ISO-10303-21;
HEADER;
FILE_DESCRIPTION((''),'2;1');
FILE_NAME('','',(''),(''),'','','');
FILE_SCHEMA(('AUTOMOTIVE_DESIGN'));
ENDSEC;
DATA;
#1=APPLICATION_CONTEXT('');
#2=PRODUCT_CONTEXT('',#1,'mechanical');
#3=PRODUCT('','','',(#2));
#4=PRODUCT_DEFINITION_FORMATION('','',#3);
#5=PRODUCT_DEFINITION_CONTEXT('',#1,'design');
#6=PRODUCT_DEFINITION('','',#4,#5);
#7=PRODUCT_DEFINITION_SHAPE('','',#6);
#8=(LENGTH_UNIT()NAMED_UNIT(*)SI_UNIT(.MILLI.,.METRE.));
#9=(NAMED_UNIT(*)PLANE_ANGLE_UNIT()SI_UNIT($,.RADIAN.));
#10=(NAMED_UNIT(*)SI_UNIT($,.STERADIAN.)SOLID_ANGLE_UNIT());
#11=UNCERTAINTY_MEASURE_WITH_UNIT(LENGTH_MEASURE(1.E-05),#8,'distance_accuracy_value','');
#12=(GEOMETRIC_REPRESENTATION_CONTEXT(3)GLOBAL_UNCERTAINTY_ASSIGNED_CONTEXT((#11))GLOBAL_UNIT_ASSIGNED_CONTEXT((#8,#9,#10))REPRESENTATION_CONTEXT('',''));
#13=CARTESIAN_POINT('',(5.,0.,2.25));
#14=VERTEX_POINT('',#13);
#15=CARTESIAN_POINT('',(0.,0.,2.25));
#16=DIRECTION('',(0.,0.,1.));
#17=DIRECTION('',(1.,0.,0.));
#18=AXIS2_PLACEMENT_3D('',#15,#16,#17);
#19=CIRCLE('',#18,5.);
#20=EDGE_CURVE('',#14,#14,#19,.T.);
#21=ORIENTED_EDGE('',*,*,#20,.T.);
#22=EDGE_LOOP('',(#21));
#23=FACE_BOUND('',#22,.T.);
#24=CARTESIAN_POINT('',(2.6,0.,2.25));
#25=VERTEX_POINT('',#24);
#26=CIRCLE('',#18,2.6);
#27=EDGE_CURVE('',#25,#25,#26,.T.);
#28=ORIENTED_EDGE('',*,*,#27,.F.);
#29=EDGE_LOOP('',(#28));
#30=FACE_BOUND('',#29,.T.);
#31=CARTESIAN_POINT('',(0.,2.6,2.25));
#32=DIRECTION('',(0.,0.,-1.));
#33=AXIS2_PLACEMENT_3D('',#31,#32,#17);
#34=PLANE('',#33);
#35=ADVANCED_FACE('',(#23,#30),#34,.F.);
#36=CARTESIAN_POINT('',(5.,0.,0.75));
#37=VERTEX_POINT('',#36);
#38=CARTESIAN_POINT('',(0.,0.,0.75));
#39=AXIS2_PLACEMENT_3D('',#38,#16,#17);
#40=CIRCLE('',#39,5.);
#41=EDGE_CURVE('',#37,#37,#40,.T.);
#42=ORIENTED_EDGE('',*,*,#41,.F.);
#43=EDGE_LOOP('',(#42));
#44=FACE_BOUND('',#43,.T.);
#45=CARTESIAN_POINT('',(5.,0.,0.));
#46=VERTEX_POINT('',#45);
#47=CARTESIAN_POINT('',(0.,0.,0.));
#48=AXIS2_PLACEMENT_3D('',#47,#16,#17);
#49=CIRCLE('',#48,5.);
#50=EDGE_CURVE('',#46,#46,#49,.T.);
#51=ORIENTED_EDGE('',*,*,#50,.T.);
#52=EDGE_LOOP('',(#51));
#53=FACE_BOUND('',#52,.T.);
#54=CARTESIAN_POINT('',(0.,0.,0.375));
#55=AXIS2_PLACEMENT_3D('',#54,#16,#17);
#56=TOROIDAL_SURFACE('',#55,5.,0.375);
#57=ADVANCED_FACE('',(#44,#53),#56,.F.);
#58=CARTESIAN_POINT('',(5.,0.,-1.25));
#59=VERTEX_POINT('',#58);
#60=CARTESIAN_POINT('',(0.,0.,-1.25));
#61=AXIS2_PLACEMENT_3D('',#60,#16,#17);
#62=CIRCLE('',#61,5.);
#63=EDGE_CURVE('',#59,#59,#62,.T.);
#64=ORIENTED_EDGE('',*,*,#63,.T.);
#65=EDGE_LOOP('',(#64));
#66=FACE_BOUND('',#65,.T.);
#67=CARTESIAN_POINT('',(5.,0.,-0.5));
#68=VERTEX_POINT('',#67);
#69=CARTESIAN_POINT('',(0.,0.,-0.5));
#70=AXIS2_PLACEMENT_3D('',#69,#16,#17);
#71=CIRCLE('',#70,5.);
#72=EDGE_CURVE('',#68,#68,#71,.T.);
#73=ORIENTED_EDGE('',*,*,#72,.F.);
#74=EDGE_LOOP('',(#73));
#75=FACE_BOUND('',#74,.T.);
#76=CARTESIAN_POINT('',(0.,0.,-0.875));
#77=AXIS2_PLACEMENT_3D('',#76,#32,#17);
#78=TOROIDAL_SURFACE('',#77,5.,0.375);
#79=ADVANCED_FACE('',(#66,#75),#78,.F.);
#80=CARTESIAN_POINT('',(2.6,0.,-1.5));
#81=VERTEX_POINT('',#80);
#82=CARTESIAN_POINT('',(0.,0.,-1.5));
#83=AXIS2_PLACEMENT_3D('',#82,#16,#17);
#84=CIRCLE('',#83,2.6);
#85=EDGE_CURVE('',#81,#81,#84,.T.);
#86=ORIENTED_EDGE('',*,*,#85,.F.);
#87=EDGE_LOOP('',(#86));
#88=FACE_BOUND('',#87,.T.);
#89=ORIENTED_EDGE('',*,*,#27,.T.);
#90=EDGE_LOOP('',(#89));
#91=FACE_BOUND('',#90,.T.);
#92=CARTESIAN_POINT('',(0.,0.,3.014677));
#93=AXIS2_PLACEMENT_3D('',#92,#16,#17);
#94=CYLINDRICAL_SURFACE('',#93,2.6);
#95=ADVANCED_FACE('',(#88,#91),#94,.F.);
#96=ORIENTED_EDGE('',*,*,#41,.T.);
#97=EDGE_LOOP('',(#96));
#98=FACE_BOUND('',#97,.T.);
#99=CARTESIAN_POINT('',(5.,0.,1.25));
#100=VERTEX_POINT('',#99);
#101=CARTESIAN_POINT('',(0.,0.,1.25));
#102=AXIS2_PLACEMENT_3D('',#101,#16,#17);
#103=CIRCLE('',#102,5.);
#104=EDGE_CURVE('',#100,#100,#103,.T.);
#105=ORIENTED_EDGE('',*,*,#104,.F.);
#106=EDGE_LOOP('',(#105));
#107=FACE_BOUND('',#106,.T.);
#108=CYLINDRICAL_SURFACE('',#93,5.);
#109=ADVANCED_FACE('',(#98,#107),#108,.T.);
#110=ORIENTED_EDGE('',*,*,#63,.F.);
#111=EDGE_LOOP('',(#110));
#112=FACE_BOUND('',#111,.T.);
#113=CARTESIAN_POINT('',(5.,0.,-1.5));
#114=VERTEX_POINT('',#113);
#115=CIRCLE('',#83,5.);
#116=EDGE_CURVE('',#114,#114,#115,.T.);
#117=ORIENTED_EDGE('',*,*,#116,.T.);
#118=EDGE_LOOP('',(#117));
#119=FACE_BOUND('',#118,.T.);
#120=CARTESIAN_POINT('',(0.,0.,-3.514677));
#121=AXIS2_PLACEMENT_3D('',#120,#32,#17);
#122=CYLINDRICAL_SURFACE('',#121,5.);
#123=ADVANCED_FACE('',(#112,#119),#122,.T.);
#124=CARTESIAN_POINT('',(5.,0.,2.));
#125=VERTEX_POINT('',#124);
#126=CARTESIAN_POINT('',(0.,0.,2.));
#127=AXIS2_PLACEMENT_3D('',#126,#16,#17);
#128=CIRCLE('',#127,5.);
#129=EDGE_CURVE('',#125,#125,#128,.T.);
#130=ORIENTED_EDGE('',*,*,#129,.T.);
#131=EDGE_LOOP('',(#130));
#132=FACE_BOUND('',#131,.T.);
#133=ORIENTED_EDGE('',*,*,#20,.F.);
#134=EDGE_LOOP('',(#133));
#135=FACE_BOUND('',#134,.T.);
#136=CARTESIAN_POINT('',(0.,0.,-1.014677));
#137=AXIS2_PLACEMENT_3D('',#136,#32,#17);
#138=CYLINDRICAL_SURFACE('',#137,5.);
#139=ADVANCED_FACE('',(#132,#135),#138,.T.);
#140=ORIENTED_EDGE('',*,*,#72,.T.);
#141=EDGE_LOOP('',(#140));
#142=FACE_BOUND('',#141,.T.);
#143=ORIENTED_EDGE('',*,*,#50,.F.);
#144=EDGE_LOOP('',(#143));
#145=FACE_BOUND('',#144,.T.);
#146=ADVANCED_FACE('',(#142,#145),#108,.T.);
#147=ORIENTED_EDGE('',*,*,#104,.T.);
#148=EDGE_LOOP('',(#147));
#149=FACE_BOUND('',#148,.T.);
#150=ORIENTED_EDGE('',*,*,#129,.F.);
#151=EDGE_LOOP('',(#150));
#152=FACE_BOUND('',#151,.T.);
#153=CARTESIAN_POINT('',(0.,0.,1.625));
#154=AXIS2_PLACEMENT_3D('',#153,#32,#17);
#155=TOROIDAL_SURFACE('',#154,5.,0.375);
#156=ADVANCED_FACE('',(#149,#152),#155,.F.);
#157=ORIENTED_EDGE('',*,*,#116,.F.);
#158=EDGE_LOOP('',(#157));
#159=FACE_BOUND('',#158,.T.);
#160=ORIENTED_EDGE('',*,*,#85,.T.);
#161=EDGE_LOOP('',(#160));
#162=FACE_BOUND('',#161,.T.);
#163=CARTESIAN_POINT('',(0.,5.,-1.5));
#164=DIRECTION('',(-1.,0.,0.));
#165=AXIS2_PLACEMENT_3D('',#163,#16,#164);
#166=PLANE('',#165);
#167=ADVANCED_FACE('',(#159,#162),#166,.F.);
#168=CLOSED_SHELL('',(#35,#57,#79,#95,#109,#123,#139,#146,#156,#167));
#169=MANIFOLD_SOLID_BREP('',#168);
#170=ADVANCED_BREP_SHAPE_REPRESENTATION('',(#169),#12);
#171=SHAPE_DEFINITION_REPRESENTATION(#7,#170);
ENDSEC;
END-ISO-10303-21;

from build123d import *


with BuildPart() as part:
    # Sketch2 → Revolve1 (revolve)
    with BuildSketch(Plane(origin=(0, 0, 0), x_dir=(0, 0, -1), z_dir=(1, 0, 0))):
        with BuildLine():
            Line((0.25, 2.6), (0.25, 5))
            Line((0.25, 5), (0, 5))
            ThreePointArc((0, 5), (-0.375, 4.625), (-0.75, 5))
            Line((-0.75, 5), (-1, 5))
            Line((-1, 5), (-1, 2.6))
            Line((-1, 2.6), (0.25, 2.6))
        make_face()
    revolve1 = revolve(axis=Axis((0, 0, 3.014677367), (0, 0, -1)))

    # Mirror1: part across plane


with BuildPart() as part_1:
    add(part.part)
    add(part.part.mirror(Plane(origin=(0, 0, -0.25), x_dir=(1, 0, 0), z_dir=(0, 0, -1))))

    # Mirror2: Revolve1 across plane
    add(revolve1.mirror(Plane(origin=(0, 5, 1), x_dir=(1, 0, 0), z_dir=(0, 0, -1))))


solid = part_1.part
